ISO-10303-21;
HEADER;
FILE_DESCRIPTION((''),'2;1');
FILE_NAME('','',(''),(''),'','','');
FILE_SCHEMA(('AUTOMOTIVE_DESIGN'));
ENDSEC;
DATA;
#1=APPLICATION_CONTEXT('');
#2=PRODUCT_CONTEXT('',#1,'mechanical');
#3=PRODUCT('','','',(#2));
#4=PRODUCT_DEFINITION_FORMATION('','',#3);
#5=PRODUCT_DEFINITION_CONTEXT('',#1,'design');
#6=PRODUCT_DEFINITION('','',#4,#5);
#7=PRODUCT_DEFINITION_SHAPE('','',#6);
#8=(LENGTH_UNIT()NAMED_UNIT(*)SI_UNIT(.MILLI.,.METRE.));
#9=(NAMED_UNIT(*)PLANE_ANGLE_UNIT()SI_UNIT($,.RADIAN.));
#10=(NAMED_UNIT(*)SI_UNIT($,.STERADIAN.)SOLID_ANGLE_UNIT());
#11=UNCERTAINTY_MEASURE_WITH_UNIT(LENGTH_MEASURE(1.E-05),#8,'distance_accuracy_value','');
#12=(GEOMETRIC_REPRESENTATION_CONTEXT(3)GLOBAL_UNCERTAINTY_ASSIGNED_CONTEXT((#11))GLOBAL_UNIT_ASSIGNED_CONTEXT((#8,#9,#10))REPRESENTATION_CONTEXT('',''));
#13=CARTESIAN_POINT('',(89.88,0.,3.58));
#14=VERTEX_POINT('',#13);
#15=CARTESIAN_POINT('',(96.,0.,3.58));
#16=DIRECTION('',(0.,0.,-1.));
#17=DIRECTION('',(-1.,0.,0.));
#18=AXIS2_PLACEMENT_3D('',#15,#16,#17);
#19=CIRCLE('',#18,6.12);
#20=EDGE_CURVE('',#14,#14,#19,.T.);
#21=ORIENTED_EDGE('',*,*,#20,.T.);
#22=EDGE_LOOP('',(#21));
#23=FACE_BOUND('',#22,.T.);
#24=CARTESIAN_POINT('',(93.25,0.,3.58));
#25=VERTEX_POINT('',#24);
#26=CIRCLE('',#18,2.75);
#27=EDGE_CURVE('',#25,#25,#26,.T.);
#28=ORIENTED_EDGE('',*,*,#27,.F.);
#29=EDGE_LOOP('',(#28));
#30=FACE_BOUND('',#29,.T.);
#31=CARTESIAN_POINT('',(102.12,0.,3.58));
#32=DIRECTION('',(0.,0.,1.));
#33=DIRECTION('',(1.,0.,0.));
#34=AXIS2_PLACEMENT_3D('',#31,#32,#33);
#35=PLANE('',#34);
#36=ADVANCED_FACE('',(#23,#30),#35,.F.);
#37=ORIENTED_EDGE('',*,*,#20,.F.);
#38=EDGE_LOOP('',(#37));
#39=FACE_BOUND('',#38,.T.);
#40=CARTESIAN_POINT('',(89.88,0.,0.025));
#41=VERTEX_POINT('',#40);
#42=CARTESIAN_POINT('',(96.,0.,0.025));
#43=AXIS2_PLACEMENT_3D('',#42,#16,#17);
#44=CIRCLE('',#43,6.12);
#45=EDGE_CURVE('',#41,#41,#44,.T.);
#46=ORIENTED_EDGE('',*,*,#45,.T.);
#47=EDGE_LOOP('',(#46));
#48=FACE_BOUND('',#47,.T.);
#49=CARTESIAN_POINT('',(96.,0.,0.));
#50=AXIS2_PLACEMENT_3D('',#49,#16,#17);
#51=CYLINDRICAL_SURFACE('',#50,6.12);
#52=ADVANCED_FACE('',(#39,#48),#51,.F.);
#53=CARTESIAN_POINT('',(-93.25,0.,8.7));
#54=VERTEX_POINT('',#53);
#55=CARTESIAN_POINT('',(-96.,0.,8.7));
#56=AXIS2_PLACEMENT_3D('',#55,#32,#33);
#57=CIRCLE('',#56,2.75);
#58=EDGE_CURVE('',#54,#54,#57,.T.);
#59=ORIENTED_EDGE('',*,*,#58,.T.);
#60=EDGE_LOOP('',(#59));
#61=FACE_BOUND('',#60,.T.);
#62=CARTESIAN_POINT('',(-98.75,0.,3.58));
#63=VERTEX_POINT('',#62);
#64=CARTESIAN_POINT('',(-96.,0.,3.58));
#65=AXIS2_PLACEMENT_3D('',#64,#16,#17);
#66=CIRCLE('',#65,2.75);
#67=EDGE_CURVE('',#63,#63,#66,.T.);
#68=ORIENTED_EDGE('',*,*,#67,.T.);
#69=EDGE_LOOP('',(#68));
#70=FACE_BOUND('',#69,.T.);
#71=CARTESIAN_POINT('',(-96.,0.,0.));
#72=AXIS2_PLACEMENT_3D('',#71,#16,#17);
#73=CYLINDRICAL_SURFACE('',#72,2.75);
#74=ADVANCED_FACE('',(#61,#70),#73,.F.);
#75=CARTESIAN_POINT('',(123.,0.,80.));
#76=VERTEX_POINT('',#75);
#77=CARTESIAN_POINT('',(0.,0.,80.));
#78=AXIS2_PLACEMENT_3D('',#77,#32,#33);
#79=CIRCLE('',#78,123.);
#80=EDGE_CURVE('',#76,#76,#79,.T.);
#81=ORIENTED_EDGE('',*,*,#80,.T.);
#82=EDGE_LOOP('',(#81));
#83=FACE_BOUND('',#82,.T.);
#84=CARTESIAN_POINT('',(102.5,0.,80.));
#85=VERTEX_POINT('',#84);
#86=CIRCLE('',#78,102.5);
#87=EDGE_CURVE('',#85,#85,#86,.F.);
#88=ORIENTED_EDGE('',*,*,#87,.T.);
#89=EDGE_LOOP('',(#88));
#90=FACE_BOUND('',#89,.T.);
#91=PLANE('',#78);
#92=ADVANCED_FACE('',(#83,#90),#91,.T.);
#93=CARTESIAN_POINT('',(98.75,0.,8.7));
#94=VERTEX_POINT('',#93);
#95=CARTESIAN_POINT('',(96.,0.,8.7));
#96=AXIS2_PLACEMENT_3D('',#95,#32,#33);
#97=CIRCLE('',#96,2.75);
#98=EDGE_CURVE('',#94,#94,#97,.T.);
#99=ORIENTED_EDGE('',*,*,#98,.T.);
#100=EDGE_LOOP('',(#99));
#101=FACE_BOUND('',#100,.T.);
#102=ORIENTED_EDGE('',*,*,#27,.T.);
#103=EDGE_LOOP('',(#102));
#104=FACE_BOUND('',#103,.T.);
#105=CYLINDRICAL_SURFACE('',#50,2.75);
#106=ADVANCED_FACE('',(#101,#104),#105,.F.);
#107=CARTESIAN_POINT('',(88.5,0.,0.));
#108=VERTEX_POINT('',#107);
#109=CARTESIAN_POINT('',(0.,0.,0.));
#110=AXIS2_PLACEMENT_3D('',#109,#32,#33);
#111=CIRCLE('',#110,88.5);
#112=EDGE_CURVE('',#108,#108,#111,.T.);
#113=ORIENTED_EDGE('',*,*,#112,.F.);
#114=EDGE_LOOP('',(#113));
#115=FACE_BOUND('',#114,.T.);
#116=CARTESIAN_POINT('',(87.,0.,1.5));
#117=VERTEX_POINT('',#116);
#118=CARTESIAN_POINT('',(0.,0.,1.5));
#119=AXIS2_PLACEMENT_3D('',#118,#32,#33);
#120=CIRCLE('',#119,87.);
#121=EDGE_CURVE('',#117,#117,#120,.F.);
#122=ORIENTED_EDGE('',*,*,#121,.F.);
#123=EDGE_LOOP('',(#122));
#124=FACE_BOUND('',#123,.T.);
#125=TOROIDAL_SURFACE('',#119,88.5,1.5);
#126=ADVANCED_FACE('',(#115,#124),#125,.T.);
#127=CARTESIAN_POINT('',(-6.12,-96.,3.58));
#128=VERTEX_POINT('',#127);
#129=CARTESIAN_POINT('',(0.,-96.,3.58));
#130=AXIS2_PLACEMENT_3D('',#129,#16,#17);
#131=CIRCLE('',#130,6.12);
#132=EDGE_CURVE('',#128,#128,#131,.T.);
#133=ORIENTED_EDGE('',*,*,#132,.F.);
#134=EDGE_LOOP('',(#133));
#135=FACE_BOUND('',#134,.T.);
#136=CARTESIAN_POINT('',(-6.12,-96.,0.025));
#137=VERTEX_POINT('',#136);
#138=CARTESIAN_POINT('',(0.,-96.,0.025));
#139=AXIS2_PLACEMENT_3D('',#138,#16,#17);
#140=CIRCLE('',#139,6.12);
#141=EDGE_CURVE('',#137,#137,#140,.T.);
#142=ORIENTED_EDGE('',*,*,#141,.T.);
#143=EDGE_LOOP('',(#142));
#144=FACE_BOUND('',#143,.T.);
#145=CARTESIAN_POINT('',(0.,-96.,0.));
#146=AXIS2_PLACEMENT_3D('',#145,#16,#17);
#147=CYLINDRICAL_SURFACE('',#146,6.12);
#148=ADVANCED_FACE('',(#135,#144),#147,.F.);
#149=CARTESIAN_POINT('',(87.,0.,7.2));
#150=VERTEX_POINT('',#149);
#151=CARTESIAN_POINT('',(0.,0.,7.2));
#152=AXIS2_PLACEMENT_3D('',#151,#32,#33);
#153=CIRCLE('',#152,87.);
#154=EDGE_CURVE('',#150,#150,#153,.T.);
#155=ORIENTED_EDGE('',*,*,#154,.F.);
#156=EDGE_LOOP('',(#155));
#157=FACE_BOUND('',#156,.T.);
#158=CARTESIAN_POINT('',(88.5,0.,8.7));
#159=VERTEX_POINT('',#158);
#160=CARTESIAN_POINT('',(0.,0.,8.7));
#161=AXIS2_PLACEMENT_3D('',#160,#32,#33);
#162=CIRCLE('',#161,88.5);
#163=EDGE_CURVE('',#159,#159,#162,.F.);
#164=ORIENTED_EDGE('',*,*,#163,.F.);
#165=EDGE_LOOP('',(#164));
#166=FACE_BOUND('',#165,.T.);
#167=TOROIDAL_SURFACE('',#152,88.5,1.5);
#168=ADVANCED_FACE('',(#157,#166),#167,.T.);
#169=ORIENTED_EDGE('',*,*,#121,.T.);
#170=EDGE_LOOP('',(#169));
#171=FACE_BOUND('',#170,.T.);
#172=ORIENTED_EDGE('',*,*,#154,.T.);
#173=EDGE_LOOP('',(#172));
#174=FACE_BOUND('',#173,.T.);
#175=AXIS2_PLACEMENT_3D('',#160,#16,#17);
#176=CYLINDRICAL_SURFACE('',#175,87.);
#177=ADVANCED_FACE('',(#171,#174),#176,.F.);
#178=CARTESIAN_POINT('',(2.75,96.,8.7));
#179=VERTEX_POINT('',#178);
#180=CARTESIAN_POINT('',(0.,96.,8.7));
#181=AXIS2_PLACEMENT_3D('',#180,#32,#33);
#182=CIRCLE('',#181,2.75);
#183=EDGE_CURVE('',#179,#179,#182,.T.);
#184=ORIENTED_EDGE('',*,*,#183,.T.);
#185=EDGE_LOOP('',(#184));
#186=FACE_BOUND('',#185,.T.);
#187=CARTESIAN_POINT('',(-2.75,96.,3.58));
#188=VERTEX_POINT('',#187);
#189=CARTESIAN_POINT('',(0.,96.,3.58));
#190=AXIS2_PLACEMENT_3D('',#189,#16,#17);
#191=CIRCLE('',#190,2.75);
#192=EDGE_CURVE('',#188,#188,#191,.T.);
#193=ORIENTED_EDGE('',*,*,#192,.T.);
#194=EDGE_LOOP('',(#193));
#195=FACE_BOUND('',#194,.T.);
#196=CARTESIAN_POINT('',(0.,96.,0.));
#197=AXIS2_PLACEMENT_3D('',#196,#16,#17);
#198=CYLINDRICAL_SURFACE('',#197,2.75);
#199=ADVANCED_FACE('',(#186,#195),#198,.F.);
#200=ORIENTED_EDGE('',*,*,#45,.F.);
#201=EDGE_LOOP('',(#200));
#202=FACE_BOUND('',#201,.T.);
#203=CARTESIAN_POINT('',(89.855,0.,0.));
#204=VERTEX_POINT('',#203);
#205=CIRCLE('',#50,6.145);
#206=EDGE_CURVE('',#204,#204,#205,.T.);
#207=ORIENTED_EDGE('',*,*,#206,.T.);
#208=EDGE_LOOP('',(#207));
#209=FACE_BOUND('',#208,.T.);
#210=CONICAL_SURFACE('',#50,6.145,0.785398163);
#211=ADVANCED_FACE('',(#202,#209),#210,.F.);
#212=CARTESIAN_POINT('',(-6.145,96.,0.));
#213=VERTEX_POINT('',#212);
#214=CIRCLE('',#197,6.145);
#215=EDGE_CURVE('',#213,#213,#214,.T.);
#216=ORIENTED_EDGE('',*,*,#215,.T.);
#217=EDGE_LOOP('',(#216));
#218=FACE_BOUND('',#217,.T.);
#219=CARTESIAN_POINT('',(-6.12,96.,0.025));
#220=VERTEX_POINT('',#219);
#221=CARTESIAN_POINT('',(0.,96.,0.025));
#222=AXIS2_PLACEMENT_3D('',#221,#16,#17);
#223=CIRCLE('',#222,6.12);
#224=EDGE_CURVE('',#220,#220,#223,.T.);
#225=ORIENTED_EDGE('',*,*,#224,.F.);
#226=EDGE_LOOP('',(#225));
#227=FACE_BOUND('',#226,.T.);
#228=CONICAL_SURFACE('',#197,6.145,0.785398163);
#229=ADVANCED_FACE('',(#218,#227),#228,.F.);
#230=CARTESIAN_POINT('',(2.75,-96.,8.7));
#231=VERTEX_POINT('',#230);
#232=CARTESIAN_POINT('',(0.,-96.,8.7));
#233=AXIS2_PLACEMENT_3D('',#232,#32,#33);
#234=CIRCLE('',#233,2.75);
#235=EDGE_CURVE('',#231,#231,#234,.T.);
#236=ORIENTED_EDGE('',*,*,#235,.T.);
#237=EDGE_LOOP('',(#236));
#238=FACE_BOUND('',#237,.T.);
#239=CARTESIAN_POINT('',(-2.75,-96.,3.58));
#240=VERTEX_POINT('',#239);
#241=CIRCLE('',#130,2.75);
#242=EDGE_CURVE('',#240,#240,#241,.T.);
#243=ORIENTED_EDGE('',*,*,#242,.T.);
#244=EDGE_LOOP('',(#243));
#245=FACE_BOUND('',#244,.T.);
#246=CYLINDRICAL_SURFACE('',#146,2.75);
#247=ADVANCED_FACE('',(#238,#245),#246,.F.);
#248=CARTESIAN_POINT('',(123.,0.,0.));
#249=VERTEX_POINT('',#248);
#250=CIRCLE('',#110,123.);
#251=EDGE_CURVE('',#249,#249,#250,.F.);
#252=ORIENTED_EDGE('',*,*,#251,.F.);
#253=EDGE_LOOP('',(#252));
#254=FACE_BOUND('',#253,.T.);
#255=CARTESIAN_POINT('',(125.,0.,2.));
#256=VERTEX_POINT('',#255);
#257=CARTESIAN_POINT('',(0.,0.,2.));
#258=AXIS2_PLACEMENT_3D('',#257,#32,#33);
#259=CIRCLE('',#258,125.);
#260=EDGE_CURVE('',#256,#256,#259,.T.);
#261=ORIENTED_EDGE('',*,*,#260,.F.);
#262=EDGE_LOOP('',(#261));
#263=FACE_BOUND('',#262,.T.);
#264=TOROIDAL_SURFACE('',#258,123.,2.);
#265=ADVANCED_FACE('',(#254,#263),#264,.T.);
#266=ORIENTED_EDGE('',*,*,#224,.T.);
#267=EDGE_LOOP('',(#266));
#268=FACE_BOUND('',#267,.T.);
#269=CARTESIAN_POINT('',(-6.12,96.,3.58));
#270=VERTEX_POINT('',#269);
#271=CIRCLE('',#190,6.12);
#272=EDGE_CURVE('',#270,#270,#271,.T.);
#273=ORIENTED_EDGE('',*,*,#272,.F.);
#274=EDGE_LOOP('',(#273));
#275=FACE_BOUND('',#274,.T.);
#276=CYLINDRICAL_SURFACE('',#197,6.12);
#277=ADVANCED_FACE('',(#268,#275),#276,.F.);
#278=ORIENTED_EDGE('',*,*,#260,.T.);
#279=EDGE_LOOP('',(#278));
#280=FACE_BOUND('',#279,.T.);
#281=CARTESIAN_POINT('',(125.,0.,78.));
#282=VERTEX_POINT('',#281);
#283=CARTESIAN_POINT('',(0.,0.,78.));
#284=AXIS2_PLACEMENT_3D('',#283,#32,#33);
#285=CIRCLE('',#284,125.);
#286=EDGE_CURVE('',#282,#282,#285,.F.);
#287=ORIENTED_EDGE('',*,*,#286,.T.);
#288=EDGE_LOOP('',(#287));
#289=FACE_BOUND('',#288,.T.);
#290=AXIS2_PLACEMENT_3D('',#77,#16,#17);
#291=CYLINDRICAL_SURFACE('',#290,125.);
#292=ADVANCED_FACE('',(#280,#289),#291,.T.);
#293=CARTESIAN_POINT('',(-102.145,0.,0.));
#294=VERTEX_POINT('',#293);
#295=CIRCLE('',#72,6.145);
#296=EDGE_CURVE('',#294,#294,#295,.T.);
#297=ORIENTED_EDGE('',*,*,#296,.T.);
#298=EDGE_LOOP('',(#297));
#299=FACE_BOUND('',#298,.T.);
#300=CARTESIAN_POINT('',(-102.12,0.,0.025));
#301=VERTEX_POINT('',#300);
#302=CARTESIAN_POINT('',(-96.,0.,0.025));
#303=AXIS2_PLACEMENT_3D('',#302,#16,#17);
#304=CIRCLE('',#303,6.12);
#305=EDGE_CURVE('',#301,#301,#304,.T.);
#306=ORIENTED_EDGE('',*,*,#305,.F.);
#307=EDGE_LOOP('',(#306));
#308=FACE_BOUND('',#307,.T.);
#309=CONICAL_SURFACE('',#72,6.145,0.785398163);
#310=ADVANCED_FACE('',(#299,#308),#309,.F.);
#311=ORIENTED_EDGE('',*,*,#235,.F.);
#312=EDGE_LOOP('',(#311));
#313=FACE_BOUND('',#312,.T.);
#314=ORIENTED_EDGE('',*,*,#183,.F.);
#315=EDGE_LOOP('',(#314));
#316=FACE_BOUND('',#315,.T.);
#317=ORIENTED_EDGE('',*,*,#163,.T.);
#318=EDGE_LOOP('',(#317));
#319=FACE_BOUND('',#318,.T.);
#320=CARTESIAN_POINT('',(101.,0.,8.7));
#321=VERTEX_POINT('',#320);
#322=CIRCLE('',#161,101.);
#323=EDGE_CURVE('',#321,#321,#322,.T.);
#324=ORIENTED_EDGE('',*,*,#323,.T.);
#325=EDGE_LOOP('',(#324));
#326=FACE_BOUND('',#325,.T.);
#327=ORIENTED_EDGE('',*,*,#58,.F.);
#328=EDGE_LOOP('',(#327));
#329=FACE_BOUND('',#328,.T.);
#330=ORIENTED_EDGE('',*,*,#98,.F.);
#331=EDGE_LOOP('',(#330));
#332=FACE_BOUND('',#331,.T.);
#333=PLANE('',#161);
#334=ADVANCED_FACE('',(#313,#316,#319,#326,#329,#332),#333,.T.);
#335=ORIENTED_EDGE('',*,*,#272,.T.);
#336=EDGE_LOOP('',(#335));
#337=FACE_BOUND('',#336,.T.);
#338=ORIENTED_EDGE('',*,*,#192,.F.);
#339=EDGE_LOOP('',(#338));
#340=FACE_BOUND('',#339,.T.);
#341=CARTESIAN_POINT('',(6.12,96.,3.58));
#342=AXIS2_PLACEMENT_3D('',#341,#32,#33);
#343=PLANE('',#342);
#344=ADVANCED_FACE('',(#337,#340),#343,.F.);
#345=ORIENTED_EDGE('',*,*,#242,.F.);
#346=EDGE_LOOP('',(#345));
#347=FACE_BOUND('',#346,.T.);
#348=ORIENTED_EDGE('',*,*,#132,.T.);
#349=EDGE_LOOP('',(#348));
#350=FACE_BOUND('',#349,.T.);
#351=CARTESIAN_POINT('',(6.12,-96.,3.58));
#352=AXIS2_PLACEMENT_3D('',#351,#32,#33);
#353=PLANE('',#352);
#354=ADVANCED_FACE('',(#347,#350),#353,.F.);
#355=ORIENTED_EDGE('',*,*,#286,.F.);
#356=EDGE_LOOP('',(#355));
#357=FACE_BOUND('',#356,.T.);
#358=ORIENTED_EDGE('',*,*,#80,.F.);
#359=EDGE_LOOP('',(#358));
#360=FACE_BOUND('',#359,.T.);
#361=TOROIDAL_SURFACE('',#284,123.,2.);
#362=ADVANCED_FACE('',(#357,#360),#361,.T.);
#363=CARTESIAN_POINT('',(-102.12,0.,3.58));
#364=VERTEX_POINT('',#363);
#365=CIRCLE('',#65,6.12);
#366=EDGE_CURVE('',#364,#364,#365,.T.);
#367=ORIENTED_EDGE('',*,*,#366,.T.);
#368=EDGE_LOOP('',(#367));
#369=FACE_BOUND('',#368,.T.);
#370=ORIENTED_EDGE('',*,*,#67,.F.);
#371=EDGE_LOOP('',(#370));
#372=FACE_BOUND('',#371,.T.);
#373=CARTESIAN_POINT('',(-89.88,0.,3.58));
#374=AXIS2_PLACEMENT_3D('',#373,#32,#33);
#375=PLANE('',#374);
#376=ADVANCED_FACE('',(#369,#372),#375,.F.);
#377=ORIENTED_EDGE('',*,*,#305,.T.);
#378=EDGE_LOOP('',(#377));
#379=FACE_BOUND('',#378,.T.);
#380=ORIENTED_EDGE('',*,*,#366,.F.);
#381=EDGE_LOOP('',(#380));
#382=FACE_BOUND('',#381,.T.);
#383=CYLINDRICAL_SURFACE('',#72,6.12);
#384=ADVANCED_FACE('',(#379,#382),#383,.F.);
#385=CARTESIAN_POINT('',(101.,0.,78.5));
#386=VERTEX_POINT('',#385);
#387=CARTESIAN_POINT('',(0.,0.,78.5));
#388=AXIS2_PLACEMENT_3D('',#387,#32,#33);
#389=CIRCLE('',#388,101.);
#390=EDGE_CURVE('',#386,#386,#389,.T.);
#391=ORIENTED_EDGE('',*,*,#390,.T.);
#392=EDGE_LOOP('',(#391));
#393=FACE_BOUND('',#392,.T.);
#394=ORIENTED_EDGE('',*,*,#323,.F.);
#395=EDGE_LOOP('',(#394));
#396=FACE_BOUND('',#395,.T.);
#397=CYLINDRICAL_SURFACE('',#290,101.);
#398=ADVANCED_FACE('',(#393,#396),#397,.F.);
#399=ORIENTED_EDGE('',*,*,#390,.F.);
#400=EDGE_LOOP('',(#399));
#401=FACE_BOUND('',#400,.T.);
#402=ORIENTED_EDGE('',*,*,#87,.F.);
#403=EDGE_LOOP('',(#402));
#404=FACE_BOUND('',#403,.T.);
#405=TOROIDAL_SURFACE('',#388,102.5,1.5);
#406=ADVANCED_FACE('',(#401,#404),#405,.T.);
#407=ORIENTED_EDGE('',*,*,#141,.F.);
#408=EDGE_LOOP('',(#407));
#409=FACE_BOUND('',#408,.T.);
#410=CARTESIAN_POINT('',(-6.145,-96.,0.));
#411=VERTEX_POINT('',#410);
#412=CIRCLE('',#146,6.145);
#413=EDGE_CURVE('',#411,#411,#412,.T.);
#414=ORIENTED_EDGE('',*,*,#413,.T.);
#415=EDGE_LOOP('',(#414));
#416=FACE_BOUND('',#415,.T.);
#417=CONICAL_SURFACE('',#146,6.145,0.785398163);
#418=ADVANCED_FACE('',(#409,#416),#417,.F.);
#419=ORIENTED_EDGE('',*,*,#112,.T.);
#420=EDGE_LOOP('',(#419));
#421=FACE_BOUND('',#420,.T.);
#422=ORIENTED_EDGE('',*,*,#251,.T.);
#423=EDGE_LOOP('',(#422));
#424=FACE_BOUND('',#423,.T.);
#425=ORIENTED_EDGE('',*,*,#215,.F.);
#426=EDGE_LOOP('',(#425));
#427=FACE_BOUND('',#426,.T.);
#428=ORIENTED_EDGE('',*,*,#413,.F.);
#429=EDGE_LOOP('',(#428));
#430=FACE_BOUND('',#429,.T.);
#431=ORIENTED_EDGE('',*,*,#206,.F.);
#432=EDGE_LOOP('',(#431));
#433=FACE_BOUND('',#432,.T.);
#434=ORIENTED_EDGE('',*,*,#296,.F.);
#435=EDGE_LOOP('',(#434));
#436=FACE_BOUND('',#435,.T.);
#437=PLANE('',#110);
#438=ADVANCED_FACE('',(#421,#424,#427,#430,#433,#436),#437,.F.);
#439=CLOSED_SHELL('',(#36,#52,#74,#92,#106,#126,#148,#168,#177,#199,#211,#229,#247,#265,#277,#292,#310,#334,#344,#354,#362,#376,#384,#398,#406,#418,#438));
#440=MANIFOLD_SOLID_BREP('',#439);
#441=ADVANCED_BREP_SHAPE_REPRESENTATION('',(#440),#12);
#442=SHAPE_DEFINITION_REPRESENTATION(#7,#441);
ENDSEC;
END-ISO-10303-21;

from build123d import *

# Parameters (mm, degrees)
SCHIZZO1_R                                   = 125
SCHIZZO1_R_2                                 = 101
ESTRUSIONE_ESTRUSIONE1_DEPTH                 = 80
RACCORDO1_R                                  = 2
SCHIZZO3_R                                   = 101
SCHIZZO3_R_2                                 = 87
ESTRUSIONE_ESTRUSIONE2_DEPTH                 = 8.7
RACCORDO2_R                                  = 1.5
FORO_LAMATO_PER_BULLONE_M5_A_TESTA_E_2_COUNT = 2
FORO_LAMATO_PER_BULLONE_M5_A_TESTA_E_2_PITCH = 135.764501988
FORO_LAMATO_PER_BULLONE_M5_A_TESTA_E_3_COUNT = 2
FORO_LAMATO_PER_BULLONE_M5_A_TESTA_E_3_PITCH = 192
FORO_LAMATO_PER_BULLONE_M5_A_TESTA_E_4_COUNT = 2
FORO_LAMATO_PER_BULLONE_M5_A_TESTA_E_4_PITCH = 135.764501988


with BuildPart() as part:
    # Schizzo1 → Estrusione-Estrusione1 (new body)
    with BuildSketch(Plane.XY):
        Circle(SCHIZZO1_R)
        Circle(SCHIZZO1_R_2, mode=Mode.SUBTRACT)
    extrude(amount=ESTRUSIONE_ESTRUSIONE1_DEPTH)

    # Raccordo1
    raccordo1_edges = [part.edges().sort_by_distance(p)[0] for p in [
        (-125, 0, 0),
        (-125, 0, 80),
    ]]
    fillet(raccordo1_edges, radius=RACCORDO1_R)

    # Schizzo3 → Estrusione-Estrusione2 (add)
    with BuildSketch(Plane.XY):
        Circle(SCHIZZO3_R)
        Circle(SCHIZZO3_R_2, mode=Mode.SUBTRACT)
    extrude(amount=ESTRUSIONE_ESTRUSIONE2_DEPTH)

    # Raccordo2
    raccordo2_edges = [part.edges().sort_by_distance(p)[0] for p in [
        (-87, 0, 0),
        (-87, 0, 8.7),
        (-101, 0, 80),
    ]]
    fillet(raccordo2_edges, radius=RACCORDO2_R)

    # Schizzo9 → Foro lamato per Bullone M5 a testa esagonale-1 (revolve, cut)
    with BuildSketch(Plane(origin=(0, 96, 0), x_dir=(0, 1, 0), z_dir=(1, 0, 0))):
        Polygon((0, 0), (0, 80), (2.75, 80), (2.75, 3.58), (6.12, 3.58), (6.12, 0.025), (6.145, 0), align=None)
    foro_lamato_per_bullone_m5_a_testa_esago = revolve(axis=Axis((0, 96, -6.35), (0, 0, 1)), mode=Mode.SUBTRACT)

    # Foro lamato per Bullone M5 a testa e 2: Foro lamato per Bullone M5 a testa esagonale-1 ×2
    with Locations(*[Vector(-0.7071067811865476, -0.7071067811865475, 0) * (i * FORO_LAMATO_PER_BULLONE_M5_A_TESTA_E_2_PITCH) for i in range(1, FORO_LAMATO_PER_BULLONE_M5_A_TESTA_E_2_COUNT)]):
        add(foro_lamato_per_bullone_m5_a_testa_esago, mode=Mode.SUBTRACT)

    # Foro lamato per Bullone M5 a testa e 3: Foro lamato per Bullone M5 a testa esagonale-1 ×2
    with Locations(*[(0, -i * FORO_LAMATO_PER_BULLONE_M5_A_TESTA_E_3_PITCH, 0) for i in range(1, FORO_LAMATO_PER_BULLONE_M5_A_TESTA_E_3_COUNT)]):
        add(foro_lamato_per_bullone_m5_a_testa_esago, mode=Mode.SUBTRACT)

    # Foro lamato per Bullone M5 a testa e 4: Foro lamato per Bullone M5 a testa esagonale-1 ×2
    with Locations(*[Vector(0.70710678118655, -0.7071067811865451, 0) * (i * FORO_LAMATO_PER_BULLONE_M5_A_TESTA_E_4_PITCH) for i in range(1, FORO_LAMATO_PER_BULLONE_M5_A_TESTA_E_4_COUNT)]):
        add(foro_lamato_per_bullone_m5_a_testa_esago, mode=Mode.SUBTRACT)


solid = part.part
